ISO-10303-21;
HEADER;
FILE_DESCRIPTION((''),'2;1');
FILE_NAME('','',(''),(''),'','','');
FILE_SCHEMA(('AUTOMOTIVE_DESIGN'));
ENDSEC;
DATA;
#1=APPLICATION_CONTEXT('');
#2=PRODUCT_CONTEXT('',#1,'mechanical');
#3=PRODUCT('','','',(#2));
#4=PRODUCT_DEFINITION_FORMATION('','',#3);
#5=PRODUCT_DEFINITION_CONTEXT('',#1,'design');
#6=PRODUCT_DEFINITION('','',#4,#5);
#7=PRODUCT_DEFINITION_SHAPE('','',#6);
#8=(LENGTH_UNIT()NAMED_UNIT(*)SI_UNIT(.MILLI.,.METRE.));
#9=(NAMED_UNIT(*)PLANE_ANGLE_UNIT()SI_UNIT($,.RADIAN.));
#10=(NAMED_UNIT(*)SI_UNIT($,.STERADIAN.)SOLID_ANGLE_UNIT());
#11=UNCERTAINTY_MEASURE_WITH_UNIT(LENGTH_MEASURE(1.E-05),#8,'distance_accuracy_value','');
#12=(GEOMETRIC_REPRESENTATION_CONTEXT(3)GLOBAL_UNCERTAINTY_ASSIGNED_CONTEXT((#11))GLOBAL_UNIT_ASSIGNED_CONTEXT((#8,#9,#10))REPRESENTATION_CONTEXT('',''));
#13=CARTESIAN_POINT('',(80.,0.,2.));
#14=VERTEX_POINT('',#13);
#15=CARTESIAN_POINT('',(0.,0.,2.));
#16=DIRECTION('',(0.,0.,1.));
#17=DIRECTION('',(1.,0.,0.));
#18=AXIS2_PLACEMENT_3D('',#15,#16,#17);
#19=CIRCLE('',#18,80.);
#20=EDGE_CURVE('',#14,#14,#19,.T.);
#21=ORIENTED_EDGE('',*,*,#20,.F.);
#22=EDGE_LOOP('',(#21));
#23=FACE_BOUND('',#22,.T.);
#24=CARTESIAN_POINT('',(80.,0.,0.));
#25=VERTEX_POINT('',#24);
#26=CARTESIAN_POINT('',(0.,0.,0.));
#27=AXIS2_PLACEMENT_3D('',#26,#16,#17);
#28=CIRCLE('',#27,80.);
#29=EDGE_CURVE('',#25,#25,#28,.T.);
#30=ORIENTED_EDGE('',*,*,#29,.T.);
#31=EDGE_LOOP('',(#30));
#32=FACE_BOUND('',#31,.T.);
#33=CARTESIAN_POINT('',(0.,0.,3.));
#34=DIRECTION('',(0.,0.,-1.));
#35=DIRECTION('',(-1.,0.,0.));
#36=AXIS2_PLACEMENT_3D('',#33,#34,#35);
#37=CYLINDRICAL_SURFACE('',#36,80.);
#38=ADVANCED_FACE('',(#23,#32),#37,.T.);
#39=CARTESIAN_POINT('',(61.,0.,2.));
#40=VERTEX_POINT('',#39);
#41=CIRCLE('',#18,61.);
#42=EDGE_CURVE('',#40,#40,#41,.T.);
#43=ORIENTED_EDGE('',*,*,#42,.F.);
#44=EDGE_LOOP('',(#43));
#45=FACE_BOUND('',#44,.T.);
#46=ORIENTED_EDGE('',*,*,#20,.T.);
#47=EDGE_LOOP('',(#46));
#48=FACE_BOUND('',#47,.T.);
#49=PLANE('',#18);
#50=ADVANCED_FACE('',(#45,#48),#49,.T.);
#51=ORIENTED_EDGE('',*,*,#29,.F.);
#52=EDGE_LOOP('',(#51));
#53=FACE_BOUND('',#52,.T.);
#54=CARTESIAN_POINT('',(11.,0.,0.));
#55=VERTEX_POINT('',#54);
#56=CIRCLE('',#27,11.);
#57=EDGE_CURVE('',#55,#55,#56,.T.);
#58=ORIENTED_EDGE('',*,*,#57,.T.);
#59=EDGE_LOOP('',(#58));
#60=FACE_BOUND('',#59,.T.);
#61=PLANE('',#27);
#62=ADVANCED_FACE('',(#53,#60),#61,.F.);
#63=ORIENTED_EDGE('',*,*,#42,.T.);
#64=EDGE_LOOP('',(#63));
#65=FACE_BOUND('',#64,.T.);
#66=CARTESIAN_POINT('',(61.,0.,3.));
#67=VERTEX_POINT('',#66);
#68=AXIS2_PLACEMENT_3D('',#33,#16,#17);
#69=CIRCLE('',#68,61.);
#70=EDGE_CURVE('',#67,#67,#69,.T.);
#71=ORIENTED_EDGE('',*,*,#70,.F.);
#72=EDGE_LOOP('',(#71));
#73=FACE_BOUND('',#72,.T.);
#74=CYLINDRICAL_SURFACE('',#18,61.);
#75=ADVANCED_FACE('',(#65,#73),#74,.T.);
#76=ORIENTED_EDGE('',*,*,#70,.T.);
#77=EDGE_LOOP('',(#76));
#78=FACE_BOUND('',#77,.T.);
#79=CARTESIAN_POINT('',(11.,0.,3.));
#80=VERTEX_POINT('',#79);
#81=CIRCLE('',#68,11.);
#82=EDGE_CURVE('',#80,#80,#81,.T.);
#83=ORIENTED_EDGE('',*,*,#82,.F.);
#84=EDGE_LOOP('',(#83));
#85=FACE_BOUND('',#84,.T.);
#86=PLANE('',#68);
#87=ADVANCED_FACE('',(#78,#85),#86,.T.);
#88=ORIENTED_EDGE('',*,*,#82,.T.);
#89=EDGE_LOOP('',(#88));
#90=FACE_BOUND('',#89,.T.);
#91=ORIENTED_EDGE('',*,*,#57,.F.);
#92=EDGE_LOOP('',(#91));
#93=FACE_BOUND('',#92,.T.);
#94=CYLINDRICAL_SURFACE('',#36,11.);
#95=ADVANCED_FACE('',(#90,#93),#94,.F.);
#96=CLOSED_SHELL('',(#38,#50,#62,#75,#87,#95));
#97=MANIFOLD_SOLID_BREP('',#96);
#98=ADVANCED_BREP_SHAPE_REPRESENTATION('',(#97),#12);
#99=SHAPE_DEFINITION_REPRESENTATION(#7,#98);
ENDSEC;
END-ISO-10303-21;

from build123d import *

# Parameters (mm, degrees)
SKETCH1_R           = 80
SKETCH1_R_2         = 11
BOSS_EXTRUDE1_DEPTH = 3
SKETCH2_OUTSIDE_W   = 207.258
SKETCH2_OUTSIDE_H   = 207.258
SKETCH2_OUTSIDE_R   = 61
CUT_EXTRUDE1_DEPTH  = 1


with BuildPart() as part:
    # Sketch1 → Boss-Extrude1 (new body)
    with BuildSketch(Plane.XY):
        Circle(SKETCH1_R)
        Circle(SKETCH1_R_2, mode=Mode.SUBTRACT)
    extrude(amount=BOSS_EXTRUDE1_DEPTH)

    # Sketch2 outside → Cut-Extrude1 (cut)
    with BuildSketch(Plane.XY.offset(3)):
        Rectangle(SKETCH2_OUTSIDE_W, SKETCH2_OUTSIDE_H)
        Circle(SKETCH2_OUTSIDE_R, mode=Mode.SUBTRACT)
    extrude(amount=-CUT_EXTRUDE1_DEPTH, mode=Mode.SUBTRACT)


solid = part.part
